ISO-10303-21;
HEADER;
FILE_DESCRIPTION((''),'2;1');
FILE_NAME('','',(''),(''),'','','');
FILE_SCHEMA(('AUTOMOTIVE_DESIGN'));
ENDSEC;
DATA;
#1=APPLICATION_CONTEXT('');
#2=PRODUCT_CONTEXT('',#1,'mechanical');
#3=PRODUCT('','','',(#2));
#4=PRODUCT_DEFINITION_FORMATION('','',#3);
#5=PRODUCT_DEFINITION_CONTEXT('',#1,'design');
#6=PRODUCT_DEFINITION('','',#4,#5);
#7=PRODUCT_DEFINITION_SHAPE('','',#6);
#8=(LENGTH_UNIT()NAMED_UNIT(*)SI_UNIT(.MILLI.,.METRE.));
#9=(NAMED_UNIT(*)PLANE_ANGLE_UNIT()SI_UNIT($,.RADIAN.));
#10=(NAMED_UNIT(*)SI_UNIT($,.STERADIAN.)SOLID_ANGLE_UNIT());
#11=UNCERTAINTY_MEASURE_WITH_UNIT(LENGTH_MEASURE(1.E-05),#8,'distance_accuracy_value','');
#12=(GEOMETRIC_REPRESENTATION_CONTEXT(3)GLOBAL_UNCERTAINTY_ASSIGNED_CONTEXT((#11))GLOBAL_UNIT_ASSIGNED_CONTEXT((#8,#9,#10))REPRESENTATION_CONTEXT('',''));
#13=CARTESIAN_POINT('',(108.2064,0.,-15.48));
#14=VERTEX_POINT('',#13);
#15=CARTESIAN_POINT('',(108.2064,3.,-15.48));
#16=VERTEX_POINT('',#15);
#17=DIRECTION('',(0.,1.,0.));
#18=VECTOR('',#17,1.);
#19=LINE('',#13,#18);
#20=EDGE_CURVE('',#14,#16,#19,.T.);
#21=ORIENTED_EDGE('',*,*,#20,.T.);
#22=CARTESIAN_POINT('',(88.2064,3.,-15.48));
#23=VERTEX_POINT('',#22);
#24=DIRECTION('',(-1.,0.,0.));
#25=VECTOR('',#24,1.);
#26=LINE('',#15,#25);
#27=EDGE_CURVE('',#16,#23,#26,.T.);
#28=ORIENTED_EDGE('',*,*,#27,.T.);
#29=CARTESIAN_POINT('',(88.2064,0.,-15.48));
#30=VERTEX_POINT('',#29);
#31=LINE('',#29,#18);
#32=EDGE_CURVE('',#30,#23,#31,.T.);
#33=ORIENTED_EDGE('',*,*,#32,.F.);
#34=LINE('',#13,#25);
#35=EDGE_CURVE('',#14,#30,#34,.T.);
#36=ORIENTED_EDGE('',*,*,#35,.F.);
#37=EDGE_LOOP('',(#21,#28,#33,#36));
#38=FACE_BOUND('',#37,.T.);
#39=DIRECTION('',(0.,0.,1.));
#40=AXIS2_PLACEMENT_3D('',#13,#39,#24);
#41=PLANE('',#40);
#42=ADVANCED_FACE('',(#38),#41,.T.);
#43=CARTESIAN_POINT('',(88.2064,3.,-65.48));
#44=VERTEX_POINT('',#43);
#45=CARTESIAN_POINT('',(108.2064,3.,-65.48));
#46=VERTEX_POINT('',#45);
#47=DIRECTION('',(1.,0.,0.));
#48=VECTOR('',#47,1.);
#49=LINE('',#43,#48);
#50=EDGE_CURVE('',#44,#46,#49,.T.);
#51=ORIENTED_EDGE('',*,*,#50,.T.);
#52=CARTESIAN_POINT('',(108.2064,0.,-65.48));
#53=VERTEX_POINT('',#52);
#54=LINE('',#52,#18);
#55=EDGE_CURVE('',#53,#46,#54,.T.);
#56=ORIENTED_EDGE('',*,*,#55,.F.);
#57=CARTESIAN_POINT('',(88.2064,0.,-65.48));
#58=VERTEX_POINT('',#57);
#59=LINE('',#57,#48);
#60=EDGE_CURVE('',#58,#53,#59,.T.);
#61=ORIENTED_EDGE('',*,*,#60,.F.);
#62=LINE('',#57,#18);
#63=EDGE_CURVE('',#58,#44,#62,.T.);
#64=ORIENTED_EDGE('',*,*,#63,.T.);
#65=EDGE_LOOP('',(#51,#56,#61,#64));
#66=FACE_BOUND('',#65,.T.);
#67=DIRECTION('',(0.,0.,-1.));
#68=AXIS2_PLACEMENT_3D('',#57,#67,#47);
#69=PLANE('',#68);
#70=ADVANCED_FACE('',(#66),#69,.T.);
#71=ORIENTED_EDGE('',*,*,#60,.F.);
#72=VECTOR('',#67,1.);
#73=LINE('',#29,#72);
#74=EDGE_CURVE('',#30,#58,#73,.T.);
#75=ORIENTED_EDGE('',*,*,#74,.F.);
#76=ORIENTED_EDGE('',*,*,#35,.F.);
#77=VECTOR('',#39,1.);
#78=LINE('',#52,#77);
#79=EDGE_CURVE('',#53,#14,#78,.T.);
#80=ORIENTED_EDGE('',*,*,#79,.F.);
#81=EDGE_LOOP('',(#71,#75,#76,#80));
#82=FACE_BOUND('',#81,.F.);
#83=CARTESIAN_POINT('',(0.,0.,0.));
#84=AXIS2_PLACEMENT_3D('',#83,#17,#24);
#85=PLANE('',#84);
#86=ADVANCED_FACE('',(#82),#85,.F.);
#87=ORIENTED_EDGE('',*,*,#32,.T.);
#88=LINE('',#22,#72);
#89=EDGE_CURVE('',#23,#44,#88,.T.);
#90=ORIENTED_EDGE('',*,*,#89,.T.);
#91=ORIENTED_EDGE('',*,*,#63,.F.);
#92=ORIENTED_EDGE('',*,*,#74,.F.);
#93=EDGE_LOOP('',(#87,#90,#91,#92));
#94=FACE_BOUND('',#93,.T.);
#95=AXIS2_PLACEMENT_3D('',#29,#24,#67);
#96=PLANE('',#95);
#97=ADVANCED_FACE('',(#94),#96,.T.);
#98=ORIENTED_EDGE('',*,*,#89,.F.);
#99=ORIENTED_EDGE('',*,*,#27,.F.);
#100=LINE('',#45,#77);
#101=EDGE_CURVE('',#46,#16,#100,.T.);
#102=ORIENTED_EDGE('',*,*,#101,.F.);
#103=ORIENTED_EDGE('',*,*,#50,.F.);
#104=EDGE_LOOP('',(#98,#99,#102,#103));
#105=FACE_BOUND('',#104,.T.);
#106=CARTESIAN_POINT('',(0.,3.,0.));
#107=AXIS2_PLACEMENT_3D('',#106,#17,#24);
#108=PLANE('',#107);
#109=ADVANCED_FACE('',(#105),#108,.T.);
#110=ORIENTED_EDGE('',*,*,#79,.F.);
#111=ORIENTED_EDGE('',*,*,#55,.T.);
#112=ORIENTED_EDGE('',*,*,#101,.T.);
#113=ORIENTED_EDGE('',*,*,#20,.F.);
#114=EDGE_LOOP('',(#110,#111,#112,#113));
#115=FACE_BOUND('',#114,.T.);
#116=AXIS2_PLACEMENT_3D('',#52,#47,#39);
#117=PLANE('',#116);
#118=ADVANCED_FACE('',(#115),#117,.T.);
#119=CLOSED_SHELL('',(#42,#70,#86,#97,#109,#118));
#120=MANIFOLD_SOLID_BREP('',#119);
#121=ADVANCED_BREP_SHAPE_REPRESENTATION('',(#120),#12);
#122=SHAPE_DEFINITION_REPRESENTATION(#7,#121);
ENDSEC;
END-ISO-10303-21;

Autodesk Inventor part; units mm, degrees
ref_plane "YZ Plane" through (0, 0, 0) normal (1, 0, 0) x (0, 1, 0)
ref_plane "XZ Plane" through (0, 0, 0) normal (0, 1, 0) x (-1, 0, 0)
ref_plane "XY Plane" through (0, 0, 0) normal (0, 0, 1) x (1, 0, 0)
sketch "Sketch1" plane through (0, 0, 0) normal (0, 1, 0) x (-1, 0, 0)
  line L0 (-108.2064, -15.48) -> (-88.2064, -15.48)
  line L1 (-88.2064, -15.48) -> (-88.2064, -65.48)
  line L2 (-88.2064, -65.48) -> (-108.2064, -65.48)
  line L3 (-108.2064, -65.48) -> (-108.2064, -15.48)
  point P0 (0, 0)
  dimension "d0" = 20
  dimension "d1" = 50
extrude "Extrusion1" add sketch "Sketch1" along normal blind 3
sketch "Sketch2" plane through (0, 3, 0) normal (0, 1, 0) x (1, 0, 0)
  line L0 (88.2064, 15.48) -> (108.2064, 15.48) construction
  line L1 (108.2064, 15.48) -> (108.2064, 65.48) construction
  line L2 (108.2064, 65.48) -> (88.2064, 65.48) construction
  line L3 (88.2064, 65.48) -> (88.2064, 15.48) construction
  point P0 (0, 0)
properties part number "Tape Measure Holder attachment"
